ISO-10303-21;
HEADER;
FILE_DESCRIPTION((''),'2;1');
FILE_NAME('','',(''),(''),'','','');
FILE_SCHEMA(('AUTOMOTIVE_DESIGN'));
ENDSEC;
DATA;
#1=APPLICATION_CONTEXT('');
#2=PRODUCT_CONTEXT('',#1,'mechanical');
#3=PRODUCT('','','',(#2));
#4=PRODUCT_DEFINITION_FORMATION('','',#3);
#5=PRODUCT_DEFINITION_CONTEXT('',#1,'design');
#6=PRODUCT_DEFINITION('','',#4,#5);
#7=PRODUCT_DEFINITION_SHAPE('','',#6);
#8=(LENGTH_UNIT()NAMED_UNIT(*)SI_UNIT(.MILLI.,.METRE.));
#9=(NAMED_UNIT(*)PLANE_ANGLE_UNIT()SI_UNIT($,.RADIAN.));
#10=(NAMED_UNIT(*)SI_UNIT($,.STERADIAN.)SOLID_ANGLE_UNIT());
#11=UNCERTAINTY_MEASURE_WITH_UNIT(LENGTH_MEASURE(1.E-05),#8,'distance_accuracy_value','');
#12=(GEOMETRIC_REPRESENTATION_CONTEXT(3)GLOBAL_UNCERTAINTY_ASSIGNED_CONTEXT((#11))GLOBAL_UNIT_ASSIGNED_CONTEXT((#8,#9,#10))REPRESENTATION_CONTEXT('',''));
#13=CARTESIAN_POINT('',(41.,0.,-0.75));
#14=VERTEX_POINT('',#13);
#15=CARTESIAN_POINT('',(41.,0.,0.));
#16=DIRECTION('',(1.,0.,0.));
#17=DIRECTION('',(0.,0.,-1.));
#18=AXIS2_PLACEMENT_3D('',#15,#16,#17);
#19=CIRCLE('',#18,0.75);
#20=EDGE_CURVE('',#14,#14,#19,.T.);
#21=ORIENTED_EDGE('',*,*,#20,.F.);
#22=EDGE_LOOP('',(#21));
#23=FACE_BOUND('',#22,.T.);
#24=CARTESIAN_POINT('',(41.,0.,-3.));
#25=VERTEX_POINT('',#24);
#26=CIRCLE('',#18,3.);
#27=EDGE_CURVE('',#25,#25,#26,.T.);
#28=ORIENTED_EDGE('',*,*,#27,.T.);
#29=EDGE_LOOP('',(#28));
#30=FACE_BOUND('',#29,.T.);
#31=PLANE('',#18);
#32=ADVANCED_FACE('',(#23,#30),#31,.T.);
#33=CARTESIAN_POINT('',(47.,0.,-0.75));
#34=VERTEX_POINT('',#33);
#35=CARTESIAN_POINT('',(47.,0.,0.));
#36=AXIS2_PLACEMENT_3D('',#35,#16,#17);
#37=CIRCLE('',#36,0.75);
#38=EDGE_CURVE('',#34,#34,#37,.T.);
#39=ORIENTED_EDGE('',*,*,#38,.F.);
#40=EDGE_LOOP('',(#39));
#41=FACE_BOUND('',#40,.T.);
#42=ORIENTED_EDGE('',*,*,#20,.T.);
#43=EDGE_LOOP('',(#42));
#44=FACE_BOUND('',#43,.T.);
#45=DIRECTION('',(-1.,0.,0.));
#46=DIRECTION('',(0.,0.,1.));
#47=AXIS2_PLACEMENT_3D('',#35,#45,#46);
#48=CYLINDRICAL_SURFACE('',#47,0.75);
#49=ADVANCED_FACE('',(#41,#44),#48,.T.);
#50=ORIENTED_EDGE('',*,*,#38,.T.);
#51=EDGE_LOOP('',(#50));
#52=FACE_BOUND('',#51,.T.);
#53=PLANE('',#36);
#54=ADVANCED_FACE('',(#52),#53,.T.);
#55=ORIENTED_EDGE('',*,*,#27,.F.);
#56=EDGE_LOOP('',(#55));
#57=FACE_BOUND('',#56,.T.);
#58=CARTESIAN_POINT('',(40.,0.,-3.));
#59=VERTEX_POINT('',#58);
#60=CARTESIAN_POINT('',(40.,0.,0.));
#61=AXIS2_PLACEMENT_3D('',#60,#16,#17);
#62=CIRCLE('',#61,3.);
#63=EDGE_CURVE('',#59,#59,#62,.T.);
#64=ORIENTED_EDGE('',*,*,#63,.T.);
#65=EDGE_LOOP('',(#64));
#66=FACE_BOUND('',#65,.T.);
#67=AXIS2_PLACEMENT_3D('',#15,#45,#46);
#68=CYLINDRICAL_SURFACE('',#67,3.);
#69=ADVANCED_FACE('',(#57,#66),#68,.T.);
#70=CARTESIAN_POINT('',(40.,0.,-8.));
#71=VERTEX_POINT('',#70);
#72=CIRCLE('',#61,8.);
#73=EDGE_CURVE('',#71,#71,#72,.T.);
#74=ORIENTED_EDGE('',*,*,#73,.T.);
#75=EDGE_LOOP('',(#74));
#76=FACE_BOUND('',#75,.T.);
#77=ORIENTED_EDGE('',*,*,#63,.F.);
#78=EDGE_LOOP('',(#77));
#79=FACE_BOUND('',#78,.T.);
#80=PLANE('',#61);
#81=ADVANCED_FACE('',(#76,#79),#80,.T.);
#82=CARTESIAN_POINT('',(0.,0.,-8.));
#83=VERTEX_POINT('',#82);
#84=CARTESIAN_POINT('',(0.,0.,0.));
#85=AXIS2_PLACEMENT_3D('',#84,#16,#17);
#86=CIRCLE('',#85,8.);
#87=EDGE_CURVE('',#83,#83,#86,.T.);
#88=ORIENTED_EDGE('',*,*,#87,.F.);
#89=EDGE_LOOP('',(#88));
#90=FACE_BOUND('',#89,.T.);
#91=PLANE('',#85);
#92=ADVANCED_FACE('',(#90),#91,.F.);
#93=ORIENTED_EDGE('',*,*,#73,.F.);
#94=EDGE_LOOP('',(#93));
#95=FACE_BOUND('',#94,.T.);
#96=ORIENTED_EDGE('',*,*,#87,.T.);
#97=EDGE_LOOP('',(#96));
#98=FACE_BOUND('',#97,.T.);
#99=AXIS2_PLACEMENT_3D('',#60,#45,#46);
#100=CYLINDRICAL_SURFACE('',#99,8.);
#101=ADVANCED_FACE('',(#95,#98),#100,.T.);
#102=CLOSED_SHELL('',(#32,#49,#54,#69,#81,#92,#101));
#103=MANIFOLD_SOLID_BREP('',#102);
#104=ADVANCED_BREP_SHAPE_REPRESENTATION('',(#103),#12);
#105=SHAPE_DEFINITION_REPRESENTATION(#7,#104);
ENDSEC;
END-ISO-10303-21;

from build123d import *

# Parameters (mm, degrees)
SKETCH1_R           = 8
BOSS_EXTRUDE1_DEPTH = 40
SKETCH2_R           = 3
BOSS_EXTRUDE2_DEPTH = 1
SKETCH3_R           = 0.75
BOSS_EXTRUDE3_DEPTH = 6


with BuildPart() as part:
    # Sketch1 → Boss-Extrude1 (new body)
    with BuildSketch(Plane(origin=(0, 0, 0), x_dir=(0, 0, -1), z_dir=(1, 0, 0))):
        Circle(SKETCH1_R)
    extrude(amount=BOSS_EXTRUDE1_DEPTH)

    # Sketch2 → Boss-Extrude2 (add)
    with BuildSketch(Plane(origin=(40, 0, 0), x_dir=(0, 0, -1), z_dir=(1, 0, 0))):
        Circle(SKETCH2_R)
    extrude(amount=BOSS_EXTRUDE2_DEPTH)

    # Sketch3 → Boss-Extrude3 (add)
    with BuildSketch(Plane(origin=(41, 0, 0), x_dir=(0, 0, -1), z_dir=(1, 0, 0))):
        Circle(SKETCH3_R)
    extrude(amount=BOSS_EXTRUDE3_DEPTH)


solid = part.part
